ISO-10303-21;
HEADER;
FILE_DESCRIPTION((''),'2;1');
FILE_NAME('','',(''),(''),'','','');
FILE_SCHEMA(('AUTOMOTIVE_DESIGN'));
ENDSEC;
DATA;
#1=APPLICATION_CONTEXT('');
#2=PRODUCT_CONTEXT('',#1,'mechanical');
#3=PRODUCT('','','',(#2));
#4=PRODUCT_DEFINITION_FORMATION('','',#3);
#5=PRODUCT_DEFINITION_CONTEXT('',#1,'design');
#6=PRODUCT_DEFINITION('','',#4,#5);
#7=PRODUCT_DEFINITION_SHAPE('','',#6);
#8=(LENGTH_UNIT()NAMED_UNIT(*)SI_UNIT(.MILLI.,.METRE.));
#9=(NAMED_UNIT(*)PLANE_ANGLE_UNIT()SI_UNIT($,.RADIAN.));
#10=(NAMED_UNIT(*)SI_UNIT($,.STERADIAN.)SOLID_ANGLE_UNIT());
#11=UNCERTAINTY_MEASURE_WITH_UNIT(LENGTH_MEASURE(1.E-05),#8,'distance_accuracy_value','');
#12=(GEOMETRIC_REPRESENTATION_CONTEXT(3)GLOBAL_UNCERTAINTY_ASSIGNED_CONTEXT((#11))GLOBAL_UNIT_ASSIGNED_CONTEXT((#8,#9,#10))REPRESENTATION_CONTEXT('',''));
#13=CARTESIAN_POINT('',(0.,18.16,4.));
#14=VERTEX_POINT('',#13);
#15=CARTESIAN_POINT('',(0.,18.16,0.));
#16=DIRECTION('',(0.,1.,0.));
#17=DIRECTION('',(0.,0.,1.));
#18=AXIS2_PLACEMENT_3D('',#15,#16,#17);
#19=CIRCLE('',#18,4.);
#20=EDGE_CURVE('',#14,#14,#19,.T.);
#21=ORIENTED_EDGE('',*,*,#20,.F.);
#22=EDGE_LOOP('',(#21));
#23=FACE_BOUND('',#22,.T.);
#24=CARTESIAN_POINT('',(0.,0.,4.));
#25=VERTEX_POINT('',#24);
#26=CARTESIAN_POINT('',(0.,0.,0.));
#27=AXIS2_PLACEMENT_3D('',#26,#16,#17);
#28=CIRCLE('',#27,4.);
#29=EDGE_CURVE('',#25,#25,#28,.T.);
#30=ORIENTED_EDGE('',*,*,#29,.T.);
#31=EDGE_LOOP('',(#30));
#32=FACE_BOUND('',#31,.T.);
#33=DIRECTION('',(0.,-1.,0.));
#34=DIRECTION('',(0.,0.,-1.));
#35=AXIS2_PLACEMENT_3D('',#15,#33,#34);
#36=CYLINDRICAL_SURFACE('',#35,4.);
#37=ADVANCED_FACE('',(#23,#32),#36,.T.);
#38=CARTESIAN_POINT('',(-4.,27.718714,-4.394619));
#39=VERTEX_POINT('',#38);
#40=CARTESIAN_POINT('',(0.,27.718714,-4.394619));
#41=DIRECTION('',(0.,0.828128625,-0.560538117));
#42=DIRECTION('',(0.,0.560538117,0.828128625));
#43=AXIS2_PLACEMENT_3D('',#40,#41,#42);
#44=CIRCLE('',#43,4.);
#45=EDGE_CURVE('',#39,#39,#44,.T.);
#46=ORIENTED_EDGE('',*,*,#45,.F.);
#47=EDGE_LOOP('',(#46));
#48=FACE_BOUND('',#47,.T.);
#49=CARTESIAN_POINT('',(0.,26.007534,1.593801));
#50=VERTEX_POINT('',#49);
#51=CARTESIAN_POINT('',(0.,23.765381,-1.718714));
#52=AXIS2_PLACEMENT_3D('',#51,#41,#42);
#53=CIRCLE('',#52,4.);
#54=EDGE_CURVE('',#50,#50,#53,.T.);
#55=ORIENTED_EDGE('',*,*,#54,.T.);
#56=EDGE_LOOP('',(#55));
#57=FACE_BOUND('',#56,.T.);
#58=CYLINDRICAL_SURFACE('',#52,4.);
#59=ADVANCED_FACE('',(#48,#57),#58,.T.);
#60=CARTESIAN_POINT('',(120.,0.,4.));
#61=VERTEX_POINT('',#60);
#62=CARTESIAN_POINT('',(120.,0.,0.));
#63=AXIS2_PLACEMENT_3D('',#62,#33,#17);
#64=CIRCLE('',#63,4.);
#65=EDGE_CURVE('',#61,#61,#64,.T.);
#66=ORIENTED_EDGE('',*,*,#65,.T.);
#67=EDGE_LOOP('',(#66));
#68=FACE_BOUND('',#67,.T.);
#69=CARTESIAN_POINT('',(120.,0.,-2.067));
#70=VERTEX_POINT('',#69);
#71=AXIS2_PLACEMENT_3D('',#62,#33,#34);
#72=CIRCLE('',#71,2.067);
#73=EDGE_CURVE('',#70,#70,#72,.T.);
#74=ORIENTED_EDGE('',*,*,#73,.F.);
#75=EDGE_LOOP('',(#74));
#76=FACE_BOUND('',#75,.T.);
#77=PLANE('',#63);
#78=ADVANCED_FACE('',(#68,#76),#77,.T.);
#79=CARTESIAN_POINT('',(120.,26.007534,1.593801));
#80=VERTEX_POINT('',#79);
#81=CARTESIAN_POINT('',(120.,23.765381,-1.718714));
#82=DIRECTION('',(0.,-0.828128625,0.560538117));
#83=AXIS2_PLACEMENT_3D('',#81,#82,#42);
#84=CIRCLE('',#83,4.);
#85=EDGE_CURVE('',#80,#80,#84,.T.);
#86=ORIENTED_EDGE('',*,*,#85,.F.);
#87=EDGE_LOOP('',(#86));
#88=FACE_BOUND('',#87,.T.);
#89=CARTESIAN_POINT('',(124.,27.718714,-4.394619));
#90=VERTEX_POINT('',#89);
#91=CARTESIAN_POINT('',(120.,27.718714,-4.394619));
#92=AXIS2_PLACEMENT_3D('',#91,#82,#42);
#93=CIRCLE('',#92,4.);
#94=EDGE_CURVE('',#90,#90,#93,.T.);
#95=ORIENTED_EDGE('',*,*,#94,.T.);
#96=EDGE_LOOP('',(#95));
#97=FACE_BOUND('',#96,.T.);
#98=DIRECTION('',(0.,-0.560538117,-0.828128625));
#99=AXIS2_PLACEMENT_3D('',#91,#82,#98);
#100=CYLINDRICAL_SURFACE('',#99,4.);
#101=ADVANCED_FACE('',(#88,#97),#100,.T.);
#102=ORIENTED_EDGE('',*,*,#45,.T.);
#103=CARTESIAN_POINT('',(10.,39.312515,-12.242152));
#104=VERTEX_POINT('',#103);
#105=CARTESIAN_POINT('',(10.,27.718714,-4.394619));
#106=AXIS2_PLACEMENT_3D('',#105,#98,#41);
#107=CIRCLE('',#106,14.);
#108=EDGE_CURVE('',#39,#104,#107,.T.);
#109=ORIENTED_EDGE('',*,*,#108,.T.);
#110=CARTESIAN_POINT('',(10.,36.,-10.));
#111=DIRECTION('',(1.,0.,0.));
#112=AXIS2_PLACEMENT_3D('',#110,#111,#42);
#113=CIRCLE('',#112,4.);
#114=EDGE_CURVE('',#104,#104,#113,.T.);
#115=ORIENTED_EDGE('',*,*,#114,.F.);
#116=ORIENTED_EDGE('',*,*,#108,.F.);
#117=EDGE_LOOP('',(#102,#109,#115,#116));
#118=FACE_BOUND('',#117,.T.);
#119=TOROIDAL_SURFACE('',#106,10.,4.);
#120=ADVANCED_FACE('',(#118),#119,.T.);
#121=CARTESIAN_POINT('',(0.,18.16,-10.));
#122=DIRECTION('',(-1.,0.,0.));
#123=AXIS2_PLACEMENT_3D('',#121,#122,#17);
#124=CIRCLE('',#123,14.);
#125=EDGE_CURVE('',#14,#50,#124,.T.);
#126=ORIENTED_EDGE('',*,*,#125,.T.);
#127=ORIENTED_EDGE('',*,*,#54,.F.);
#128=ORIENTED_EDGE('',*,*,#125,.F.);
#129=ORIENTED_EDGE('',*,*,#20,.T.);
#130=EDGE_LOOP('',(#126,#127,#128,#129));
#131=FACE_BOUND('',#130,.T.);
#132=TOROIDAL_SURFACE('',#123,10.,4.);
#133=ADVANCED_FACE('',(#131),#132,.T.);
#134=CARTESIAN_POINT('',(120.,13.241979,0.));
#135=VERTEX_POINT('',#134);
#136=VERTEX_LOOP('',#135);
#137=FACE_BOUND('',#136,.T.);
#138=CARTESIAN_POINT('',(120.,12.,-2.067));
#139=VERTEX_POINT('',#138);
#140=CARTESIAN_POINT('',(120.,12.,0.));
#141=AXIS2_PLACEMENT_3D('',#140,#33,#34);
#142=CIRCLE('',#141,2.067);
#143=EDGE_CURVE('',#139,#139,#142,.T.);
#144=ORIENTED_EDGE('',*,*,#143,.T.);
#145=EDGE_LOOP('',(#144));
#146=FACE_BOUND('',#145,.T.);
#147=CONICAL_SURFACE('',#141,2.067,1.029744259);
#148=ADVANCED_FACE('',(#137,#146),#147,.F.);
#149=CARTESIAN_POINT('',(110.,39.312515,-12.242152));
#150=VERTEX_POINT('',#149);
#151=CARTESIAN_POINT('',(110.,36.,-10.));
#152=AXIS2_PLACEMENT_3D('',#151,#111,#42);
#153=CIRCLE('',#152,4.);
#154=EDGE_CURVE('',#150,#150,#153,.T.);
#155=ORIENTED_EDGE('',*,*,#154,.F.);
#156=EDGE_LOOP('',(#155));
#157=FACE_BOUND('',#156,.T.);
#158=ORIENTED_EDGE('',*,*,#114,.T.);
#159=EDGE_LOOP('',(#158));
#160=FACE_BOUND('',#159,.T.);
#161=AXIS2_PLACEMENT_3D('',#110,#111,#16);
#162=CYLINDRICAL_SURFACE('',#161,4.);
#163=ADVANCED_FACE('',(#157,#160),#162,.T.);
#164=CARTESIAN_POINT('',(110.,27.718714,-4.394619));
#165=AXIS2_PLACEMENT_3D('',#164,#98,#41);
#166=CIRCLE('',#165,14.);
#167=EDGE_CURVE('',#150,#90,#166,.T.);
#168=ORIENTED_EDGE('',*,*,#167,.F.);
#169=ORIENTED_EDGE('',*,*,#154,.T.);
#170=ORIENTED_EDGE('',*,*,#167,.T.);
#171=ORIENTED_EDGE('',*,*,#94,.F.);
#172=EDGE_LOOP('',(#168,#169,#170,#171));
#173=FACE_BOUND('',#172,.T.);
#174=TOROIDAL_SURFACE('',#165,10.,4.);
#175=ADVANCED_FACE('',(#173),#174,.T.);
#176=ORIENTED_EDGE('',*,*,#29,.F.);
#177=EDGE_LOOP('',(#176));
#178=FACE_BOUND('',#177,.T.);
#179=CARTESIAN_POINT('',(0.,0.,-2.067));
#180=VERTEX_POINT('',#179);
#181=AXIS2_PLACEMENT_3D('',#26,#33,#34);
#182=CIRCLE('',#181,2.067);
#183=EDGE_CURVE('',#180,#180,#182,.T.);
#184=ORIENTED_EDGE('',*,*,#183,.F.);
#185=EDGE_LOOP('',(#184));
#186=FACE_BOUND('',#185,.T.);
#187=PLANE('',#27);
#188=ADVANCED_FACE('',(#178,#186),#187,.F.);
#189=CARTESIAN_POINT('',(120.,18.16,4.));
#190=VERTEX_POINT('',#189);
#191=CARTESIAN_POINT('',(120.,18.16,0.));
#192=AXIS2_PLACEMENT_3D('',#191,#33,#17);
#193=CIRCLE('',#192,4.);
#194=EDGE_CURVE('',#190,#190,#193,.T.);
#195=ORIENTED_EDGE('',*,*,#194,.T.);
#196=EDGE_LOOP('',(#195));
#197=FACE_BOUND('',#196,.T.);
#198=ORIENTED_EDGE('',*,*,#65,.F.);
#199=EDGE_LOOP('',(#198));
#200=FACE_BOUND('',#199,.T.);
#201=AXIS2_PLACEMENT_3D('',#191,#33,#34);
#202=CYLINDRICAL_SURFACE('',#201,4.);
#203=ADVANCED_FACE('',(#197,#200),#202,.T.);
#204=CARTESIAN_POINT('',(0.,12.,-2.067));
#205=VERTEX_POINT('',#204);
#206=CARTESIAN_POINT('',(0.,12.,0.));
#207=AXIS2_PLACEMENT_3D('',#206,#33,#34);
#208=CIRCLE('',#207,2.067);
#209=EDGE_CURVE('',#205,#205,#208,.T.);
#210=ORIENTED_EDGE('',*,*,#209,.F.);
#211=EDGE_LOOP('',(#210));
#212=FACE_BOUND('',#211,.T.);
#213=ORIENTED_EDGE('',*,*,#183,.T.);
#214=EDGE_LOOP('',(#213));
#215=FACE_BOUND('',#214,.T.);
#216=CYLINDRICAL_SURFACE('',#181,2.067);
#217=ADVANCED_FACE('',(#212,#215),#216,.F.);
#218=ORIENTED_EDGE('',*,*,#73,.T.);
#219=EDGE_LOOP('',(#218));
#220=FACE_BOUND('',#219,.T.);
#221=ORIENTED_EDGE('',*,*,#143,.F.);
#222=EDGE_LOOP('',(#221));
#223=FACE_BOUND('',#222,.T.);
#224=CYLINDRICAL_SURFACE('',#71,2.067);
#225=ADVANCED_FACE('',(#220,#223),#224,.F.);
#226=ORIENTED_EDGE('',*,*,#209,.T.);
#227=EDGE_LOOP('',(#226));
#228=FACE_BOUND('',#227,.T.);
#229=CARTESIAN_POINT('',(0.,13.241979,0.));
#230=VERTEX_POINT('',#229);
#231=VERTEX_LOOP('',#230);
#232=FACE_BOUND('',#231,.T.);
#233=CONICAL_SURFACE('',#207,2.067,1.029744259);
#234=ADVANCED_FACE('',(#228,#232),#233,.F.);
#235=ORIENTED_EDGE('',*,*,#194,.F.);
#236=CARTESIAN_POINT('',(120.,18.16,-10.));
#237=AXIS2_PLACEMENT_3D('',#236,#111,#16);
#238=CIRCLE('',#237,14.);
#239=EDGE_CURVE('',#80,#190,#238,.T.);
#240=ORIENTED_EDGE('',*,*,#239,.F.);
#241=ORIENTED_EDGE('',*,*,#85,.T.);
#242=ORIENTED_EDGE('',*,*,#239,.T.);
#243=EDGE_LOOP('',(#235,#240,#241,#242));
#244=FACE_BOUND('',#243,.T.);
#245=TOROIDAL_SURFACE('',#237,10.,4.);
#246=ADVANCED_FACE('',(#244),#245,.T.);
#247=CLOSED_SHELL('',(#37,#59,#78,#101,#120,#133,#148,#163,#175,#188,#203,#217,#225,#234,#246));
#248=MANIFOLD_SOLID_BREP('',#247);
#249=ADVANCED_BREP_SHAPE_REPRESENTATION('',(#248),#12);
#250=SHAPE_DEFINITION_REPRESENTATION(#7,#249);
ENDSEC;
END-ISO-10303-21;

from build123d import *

# Parameters (mm, degrees)
SKETCH2_R  = 4
TAP1_D     = 4.134
TAP1_DEPTH = 12
TAP1_TIP   = 1.2419789


with BuildPart() as part:
    # Sweep1: sweep along a curve in space
    with BuildLine() as sweep1_path:
        Line((0, 0, 0), (0, 18.16, 0))
        ThreePointArc((0, 18.16, 0), (0, 21.091478934, -0.439328933), (0, 23.765381166, -1.718713748))
        Line((0, 23.765381166, -1.718713748), (0, 27.718713748, -4.394618834))
        ThreePointArc((0, 27.718713748, -4.394618834), (2.928932188, 33.574467414, -8.358221868), (10, 36, -10))
        Line((10, 36, -10), (110, 36, -10))
        ThreePointArc((120, 27.718713748, -4.394618834), (117.071067812, 33.574467414, -8.358221868), (110, 36, -10))
        Line((120, 27.718713748, -4.394618834), (120, 23.765381166, -1.718713748))
        ThreePointArc((120, 18.16, 0), (120, 21.091478934, -0.439328933), (120, 23.765381166, -1.718713748))
        Line((120, 18.16, 0), (120, 0, 0))
    # Sketch2 → Sweep1 (sweep)
    with BuildSketch(Plane(origin=(0, 0, 0), x_dir=(1, 0, 0), z_dir=(0, 1, 0))):
        Circle(SKETCH2_R)
    sweep(path=sweep1_path.line)

    # Tap1
    with Locations(Plane(origin=(0, 0, 0), x_dir=(-1, 0, 0), z_dir=(0, -1, 0))):
        with Locations((0, 0), (-120, 0)):
            Hole(TAP1_D / 2, depth=TAP1_DEPTH)
            with Locations((0, 0, -(TAP1_DEPTH + TAP1_TIP / 2))):  # 118° drill point
                Cone(0, TAP1_D / 2, TAP1_TIP, mode=Mode.SUBTRACT)


solid = part.part
